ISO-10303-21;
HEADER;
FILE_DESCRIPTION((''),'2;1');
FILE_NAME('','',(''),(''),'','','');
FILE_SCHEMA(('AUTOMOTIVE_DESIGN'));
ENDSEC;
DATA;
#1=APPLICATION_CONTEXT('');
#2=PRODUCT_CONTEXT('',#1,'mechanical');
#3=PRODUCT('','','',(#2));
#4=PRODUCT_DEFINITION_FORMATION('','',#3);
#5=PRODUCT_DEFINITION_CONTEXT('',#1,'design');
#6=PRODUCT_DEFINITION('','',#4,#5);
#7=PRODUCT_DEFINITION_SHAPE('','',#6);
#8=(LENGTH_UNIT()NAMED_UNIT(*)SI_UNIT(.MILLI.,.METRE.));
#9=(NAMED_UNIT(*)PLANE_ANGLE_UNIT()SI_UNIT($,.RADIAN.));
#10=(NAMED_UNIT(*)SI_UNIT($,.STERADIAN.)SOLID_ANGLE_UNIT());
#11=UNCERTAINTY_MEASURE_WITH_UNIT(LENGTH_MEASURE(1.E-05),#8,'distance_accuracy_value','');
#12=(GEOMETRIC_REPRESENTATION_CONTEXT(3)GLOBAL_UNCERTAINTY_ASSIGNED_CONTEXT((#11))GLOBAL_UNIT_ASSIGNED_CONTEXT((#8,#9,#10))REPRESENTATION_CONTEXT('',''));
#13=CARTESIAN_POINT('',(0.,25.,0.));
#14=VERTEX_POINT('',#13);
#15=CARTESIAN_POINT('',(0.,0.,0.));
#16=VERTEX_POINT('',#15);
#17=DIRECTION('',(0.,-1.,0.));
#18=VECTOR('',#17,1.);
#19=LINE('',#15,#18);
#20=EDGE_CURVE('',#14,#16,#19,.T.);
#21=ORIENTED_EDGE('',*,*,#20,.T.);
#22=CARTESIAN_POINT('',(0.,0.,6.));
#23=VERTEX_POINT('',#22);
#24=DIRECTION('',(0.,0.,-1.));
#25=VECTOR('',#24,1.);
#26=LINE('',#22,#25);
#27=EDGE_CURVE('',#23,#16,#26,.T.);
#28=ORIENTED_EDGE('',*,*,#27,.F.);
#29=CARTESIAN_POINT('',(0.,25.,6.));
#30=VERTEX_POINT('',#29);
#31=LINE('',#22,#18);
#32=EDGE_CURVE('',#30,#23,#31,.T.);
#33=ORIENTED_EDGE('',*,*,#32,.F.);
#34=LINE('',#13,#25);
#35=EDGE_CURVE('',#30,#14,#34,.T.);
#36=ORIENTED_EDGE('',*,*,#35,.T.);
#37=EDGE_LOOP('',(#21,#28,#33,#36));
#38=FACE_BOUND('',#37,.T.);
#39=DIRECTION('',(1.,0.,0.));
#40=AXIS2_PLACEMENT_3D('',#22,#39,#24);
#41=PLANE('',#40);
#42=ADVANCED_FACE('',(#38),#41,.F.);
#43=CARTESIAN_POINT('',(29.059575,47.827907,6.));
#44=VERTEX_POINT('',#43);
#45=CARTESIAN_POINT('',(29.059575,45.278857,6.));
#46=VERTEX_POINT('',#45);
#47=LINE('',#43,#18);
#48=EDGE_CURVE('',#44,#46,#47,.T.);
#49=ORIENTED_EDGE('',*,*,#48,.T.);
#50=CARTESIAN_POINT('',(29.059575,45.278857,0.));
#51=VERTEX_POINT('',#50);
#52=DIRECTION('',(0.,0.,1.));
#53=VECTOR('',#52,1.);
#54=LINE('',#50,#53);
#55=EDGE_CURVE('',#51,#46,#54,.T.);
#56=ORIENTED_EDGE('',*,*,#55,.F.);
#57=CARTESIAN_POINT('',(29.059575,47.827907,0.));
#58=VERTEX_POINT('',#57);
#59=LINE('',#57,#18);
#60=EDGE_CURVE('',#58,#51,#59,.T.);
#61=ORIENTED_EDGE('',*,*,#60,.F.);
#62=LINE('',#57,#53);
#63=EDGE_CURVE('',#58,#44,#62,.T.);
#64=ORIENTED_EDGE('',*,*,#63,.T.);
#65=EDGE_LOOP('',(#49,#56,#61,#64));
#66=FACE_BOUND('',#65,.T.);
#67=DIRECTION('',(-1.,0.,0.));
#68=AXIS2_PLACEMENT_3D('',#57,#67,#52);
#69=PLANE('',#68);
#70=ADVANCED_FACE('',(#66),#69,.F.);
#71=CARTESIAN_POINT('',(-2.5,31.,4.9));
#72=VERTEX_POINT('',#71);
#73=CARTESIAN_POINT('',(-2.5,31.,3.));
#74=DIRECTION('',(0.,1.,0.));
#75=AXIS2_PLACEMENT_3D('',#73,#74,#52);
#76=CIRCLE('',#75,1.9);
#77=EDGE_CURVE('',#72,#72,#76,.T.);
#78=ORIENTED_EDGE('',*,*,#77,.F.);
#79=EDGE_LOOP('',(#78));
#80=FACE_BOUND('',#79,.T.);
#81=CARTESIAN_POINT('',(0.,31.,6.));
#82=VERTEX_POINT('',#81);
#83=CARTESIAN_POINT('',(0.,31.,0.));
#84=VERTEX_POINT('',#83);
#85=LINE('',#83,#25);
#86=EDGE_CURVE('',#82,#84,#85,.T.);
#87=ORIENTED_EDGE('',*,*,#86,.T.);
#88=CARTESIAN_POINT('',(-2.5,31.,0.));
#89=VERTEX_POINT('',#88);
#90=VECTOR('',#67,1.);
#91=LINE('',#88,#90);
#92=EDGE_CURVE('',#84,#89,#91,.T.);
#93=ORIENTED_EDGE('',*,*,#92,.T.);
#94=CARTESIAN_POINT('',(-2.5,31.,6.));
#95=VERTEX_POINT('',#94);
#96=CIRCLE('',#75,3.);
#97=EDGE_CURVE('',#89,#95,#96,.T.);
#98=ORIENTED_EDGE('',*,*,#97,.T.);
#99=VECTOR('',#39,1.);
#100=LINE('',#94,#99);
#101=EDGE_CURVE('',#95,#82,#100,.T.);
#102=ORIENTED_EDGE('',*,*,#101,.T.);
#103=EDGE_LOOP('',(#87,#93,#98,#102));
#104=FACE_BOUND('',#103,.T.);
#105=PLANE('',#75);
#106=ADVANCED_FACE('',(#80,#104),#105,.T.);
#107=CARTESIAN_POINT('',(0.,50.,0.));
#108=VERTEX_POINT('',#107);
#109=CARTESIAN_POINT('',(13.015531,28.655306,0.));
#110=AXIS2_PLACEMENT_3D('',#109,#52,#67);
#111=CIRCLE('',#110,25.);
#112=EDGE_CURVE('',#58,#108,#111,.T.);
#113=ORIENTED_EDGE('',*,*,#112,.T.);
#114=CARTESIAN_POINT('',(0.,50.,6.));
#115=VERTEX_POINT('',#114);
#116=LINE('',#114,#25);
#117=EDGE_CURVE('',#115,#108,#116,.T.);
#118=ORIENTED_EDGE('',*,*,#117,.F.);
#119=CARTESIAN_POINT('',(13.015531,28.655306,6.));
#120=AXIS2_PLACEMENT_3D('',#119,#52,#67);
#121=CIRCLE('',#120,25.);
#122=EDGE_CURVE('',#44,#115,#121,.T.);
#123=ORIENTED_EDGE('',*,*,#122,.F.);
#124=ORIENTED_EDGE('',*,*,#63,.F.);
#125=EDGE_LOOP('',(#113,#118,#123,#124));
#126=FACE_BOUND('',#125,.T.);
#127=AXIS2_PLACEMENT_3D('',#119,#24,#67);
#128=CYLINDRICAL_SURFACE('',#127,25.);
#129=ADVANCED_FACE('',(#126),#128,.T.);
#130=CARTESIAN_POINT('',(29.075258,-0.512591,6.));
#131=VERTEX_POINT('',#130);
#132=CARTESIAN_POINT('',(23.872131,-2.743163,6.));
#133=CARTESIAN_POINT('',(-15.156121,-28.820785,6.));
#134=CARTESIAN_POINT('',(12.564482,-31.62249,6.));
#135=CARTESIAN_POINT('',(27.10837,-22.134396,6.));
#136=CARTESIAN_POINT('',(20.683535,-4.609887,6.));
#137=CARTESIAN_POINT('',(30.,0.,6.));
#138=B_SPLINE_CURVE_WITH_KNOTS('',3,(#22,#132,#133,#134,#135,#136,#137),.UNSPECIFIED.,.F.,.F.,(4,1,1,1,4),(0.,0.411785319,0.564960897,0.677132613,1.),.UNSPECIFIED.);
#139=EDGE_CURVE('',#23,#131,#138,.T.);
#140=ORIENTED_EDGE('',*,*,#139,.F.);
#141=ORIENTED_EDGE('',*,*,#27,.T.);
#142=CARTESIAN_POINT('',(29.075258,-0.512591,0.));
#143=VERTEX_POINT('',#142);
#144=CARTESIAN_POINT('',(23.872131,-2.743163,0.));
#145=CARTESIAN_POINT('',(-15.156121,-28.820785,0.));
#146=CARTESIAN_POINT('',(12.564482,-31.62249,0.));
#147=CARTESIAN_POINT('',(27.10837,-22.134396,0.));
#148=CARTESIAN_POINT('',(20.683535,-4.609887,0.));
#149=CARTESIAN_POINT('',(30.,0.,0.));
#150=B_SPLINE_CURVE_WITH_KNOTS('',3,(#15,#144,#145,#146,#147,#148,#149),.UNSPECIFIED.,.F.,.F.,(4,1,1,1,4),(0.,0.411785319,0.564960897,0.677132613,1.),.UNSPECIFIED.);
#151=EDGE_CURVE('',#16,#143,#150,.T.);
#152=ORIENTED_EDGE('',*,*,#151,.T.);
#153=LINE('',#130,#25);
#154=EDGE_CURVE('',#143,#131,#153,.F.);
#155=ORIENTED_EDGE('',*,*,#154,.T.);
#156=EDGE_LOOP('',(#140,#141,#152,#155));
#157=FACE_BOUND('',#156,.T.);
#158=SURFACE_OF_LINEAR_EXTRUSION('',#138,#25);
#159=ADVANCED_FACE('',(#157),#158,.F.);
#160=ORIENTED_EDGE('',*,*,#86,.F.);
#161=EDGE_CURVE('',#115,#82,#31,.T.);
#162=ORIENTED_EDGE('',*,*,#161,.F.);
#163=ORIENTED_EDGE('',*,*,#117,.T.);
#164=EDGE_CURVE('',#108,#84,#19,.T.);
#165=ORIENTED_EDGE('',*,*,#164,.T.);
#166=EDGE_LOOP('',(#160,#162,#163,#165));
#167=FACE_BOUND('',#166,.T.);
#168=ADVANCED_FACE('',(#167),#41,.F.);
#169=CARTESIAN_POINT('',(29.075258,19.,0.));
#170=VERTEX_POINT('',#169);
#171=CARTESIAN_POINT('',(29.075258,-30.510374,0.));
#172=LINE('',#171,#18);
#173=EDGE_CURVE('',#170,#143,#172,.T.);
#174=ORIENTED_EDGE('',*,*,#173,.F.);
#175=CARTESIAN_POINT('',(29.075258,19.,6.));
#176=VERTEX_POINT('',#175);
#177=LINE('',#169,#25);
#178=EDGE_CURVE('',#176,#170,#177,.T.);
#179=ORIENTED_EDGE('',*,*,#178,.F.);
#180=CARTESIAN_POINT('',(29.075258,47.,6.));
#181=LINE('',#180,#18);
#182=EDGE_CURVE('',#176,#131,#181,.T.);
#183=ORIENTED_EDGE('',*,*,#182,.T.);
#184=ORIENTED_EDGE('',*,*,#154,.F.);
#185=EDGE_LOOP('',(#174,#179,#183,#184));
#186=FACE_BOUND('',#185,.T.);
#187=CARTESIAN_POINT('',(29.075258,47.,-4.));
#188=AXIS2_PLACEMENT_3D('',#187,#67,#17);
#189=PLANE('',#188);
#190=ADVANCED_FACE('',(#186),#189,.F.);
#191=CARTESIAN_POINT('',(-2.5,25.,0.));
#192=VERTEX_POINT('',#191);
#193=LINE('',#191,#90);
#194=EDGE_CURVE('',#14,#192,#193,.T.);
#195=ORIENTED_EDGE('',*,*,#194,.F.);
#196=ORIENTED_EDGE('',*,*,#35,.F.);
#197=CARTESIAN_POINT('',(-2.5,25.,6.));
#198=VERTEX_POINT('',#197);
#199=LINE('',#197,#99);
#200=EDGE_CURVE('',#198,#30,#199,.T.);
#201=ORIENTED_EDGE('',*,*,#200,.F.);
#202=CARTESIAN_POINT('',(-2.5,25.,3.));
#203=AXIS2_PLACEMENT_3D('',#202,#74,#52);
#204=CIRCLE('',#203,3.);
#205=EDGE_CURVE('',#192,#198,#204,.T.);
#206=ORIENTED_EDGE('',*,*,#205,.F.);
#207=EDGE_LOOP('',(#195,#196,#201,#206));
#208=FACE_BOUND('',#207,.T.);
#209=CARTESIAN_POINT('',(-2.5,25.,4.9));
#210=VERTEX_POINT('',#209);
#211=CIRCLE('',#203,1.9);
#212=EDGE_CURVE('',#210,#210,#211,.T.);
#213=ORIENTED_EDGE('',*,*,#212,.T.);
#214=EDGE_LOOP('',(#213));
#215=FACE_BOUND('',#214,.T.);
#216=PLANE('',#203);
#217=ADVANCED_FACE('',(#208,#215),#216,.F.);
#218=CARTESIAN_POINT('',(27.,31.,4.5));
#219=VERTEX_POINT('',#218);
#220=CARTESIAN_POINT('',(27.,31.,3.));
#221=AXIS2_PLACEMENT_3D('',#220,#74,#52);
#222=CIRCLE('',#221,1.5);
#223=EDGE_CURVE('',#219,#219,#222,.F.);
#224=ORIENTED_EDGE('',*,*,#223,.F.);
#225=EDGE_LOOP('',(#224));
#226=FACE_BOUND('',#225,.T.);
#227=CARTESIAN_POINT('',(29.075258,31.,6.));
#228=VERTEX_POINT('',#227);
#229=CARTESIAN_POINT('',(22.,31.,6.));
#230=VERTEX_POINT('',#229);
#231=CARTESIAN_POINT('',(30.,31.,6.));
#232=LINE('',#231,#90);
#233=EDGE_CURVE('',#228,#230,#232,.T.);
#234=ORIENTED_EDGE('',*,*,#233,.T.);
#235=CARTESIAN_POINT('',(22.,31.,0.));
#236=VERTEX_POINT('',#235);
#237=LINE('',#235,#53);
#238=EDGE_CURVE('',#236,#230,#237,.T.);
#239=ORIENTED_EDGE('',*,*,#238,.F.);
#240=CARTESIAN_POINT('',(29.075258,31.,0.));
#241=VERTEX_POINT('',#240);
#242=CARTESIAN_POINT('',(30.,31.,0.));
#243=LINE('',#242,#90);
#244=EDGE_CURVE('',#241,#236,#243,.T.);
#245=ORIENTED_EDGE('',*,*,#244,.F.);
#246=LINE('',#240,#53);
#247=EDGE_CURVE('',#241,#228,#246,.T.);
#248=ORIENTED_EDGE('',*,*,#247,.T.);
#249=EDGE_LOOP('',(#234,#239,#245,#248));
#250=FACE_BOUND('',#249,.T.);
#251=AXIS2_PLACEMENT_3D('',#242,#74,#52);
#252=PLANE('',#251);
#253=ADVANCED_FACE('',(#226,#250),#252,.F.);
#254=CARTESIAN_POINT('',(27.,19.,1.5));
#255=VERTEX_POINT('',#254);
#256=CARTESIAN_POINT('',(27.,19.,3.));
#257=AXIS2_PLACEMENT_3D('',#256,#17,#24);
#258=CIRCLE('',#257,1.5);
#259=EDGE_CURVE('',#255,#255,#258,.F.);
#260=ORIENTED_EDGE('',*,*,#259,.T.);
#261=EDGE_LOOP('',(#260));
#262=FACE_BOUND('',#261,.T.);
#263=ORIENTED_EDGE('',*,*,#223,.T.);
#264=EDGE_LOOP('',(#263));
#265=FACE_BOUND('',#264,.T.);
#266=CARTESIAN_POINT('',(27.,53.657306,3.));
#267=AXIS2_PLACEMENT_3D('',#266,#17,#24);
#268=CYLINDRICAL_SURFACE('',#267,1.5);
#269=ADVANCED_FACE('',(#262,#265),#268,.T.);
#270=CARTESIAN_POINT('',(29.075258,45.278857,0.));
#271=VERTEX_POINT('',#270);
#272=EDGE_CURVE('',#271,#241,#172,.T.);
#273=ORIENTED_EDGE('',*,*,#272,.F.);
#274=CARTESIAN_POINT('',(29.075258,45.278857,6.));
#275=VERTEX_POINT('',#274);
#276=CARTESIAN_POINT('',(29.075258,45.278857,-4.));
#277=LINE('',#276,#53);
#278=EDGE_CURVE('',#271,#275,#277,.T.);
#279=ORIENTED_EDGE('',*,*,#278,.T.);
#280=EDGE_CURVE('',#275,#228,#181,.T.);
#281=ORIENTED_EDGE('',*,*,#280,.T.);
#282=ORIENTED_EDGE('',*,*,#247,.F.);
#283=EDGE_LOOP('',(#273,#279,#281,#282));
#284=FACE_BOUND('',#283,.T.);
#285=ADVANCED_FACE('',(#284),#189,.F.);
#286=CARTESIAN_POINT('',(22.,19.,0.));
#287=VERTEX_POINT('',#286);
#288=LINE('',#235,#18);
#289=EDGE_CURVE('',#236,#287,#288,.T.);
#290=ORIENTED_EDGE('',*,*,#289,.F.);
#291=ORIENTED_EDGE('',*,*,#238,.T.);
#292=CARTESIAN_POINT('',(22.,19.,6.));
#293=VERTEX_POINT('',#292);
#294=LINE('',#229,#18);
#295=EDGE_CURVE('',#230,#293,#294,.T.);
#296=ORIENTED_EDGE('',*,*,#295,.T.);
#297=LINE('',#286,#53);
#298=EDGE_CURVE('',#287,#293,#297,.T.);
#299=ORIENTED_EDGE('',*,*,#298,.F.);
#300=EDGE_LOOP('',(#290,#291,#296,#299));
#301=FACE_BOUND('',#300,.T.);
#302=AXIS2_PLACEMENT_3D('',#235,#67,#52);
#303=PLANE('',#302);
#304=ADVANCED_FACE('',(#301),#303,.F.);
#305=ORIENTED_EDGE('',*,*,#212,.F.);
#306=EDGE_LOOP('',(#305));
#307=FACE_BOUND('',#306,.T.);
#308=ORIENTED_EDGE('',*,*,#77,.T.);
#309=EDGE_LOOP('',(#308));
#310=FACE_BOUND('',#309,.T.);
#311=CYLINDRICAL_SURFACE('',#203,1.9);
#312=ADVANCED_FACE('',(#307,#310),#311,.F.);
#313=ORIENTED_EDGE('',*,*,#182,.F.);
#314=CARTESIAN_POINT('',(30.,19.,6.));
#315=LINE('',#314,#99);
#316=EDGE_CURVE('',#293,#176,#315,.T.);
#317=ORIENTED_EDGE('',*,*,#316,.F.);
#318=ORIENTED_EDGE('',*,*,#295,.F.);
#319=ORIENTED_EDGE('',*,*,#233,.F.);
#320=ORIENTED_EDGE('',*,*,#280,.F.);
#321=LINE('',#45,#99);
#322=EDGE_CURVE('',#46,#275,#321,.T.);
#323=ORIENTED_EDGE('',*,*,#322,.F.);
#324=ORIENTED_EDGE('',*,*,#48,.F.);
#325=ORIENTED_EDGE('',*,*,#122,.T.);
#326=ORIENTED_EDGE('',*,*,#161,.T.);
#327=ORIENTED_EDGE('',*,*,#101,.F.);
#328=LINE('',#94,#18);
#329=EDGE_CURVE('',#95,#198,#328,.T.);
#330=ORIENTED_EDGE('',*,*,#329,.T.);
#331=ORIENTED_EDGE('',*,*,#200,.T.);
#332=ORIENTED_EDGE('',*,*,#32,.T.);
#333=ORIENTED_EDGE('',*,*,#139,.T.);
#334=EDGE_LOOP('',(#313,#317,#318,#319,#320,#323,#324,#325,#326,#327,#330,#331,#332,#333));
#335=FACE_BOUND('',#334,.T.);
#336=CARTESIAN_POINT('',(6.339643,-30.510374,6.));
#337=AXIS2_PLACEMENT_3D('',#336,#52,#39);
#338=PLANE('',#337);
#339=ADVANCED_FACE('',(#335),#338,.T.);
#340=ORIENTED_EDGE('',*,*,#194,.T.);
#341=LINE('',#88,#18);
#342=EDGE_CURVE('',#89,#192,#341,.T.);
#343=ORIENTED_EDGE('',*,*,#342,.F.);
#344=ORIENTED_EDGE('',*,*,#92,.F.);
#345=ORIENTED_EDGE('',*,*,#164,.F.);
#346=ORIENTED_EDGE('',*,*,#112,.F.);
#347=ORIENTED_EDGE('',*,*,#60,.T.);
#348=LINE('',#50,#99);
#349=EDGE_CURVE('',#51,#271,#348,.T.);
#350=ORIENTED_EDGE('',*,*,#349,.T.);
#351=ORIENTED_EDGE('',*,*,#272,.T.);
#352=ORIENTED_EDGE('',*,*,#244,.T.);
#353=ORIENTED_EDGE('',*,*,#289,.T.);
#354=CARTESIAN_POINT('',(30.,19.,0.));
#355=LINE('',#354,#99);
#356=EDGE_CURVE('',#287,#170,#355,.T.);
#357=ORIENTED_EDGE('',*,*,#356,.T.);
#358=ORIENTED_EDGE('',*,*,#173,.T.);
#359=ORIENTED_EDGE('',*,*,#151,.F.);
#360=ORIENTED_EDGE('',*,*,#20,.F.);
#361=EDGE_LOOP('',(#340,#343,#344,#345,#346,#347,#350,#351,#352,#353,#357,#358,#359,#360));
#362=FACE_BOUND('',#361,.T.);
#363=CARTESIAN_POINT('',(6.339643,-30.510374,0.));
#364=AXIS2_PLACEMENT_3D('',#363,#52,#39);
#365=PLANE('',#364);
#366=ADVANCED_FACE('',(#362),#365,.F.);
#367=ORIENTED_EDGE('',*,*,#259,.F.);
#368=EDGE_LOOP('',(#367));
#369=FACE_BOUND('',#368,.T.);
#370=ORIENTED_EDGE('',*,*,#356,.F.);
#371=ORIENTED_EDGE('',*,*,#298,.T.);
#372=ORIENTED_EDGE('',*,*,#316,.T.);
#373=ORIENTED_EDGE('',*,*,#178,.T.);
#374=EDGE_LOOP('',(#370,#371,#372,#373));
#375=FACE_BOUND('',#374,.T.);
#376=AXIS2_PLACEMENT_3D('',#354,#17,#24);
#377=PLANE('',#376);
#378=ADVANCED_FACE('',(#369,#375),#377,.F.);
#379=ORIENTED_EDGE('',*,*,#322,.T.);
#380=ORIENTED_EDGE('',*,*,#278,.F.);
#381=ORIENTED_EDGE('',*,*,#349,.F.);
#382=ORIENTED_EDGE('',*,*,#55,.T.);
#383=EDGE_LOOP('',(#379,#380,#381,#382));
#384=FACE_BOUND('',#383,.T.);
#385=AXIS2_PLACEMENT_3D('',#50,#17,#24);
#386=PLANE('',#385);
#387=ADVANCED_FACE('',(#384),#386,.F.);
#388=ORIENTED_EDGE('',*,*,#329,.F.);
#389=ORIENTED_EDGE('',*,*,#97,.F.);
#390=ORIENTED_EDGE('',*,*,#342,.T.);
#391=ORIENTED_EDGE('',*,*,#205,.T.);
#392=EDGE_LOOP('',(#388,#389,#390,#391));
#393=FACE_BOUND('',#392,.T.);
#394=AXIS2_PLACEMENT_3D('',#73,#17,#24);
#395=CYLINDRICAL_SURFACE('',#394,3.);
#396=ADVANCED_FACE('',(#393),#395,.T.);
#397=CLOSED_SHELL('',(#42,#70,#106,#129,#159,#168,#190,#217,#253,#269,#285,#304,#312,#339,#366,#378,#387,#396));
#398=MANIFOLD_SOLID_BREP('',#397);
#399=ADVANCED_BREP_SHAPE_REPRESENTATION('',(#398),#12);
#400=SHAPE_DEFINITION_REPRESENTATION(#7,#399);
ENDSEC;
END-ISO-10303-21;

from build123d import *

# Parameters (mm, degrees)
SALIENTE_EXTRUIR1_DEPTH = 6
SALIENTE_EXTRUIR3_START = 25
SALIENTE_EXTRUIR3_DEPTH = 6
CROQUIS4_R              = 1.9
CORTAR_EXTRUIR1_DEPTH   = 6
CROQUIS5_W              = 8
CROQUIS5_H              = 12
CORTAR_EXTRUIR2_DEPTH   = 6
SALIENTE_EXTRUIR4_REACH = 60.245
CROQUIS6_R              = 1.5
CROQUIS7_W              = 0.924741671
CROQUIS7_H              = 48.494848299
CORTAR_EXTRUIR3_DEPTH   = 10
CROQUIS9_W              = 1.397328442
CROQUIS9_H              = 2.549049749
CORTAR_EXTRUIR4_DEPTH   = 6


with BuildPart() as part:
    # Croquis1 → Saliente-Extruir1 (new body)
    with BuildSketch(Plane.XY):
        with BuildLine():
            Line((0, 0), (0, 50))
            ThreePointArc((0, 50), (15.503123572, 53.531235724), (30, 47))
            Line((30, 47), (30, 0))
            add(Edge.make_bspline(
                [(0, 0), (23.872131175, -2.743163232), (-15.156120823, -28.820785067), (12.564482161, -31.62248958), (27.108369886, -22.134396226), (20.683535225, -4.609887129), (30, 0)],
                knots=[0, 0, 0, 0, 0.411785319, 0.564960897, 0.677132613, 1, 1, 1, 1], degree=3))
        make_face()
    extrude(amount=SALIENTE_EXTRUIR1_DEPTH)

    # Croquis2 → Saliente-Extruir3 (add)
    with BuildSketch(Plane(origin=(0, 0, 0), x_dir=(1, 0, 0), z_dir=(0, 1, 0)).offset(SALIENTE_EXTRUIR3_START)):
        with BuildLine():
            Line((-2.5, 0), (0, 0))
            Line((0, 0), (0, -6))
            Line((0, -6), (-2.5, -6))
            ThreePointArc((-2.5, -6), (-5.5, -3), (-2.5, 0))
        make_face()
    extrude(amount=SALIENTE_EXTRUIR3_DEPTH)

    # Croquis4 → Cortar-Extruir1 (cut)
    with BuildSketch(Plane(origin=(0, 31, 0), x_dir=(1, 0, 0), z_dir=(0, 1, 0))):
        with Locations(Location((-2.5, -3, 0), (0, 0, 270))):
            Circle(CROQUIS4_R)
    extrude(amount=-CORTAR_EXTRUIR1_DEPTH, mode=Mode.SUBTRACT)

    # Croquis5 → Cortar-Extruir2 (cut)
    with BuildSketch(Plane.XY.offset(6)):
        with Locations((26, 25)):
            Rectangle(CROQUIS5_W, CROQUIS5_H)
    extrude(amount=-CORTAR_EXTRUIR2_DEPTH, mode=Mode.SUBTRACT)

    # Croquis6 → Saliente-Extruir4 (add, up to next)
    with BuildSketch(Plane(origin=(0, 19, 0), x_dir=(1, 0, 0), z_dir=(0, 1, 0)), mode=Mode.PRIVATE) as saliente_extruir4_sk1:
        with Locations(Location((27, -3, 0), (0, 0, 90))):
            Circle(CROQUIS6_R)
    saliente_extruir4_tool1 = extrude(saliente_extruir4_sk1.sketch, amount=SALIENTE_EXTRUIR4_REACH, mode=Mode.PRIVATE) - part.part
    add(saliente_extruir4_tool1.solids().sort_by_distance((27, 19, 3))[0])

    # Croquis7 → Cortar-Extruir3 (cut)
    with BuildSketch(Plane.XY.offset(6)):
        with Locations((29.537629165, 22.752575851)):
            Rectangle(CROQUIS7_W, CROQUIS7_H)
    extrude(amount=-CORTAR_EXTRUIR3_DEPTH, mode=Mode.SUBTRACT)

    # Croquis9 → Cortar-Extruir4 (cut)
    with BuildSketch(Plane.XY.offset(6)):
        with Locations((29.758239574, 46.553382062)):
            Rectangle(CROQUIS9_W, CROQUIS9_H)
    extrude(amount=-CORTAR_EXTRUIR4_DEPTH, mode=Mode.SUBTRACT)


solid = part.part
